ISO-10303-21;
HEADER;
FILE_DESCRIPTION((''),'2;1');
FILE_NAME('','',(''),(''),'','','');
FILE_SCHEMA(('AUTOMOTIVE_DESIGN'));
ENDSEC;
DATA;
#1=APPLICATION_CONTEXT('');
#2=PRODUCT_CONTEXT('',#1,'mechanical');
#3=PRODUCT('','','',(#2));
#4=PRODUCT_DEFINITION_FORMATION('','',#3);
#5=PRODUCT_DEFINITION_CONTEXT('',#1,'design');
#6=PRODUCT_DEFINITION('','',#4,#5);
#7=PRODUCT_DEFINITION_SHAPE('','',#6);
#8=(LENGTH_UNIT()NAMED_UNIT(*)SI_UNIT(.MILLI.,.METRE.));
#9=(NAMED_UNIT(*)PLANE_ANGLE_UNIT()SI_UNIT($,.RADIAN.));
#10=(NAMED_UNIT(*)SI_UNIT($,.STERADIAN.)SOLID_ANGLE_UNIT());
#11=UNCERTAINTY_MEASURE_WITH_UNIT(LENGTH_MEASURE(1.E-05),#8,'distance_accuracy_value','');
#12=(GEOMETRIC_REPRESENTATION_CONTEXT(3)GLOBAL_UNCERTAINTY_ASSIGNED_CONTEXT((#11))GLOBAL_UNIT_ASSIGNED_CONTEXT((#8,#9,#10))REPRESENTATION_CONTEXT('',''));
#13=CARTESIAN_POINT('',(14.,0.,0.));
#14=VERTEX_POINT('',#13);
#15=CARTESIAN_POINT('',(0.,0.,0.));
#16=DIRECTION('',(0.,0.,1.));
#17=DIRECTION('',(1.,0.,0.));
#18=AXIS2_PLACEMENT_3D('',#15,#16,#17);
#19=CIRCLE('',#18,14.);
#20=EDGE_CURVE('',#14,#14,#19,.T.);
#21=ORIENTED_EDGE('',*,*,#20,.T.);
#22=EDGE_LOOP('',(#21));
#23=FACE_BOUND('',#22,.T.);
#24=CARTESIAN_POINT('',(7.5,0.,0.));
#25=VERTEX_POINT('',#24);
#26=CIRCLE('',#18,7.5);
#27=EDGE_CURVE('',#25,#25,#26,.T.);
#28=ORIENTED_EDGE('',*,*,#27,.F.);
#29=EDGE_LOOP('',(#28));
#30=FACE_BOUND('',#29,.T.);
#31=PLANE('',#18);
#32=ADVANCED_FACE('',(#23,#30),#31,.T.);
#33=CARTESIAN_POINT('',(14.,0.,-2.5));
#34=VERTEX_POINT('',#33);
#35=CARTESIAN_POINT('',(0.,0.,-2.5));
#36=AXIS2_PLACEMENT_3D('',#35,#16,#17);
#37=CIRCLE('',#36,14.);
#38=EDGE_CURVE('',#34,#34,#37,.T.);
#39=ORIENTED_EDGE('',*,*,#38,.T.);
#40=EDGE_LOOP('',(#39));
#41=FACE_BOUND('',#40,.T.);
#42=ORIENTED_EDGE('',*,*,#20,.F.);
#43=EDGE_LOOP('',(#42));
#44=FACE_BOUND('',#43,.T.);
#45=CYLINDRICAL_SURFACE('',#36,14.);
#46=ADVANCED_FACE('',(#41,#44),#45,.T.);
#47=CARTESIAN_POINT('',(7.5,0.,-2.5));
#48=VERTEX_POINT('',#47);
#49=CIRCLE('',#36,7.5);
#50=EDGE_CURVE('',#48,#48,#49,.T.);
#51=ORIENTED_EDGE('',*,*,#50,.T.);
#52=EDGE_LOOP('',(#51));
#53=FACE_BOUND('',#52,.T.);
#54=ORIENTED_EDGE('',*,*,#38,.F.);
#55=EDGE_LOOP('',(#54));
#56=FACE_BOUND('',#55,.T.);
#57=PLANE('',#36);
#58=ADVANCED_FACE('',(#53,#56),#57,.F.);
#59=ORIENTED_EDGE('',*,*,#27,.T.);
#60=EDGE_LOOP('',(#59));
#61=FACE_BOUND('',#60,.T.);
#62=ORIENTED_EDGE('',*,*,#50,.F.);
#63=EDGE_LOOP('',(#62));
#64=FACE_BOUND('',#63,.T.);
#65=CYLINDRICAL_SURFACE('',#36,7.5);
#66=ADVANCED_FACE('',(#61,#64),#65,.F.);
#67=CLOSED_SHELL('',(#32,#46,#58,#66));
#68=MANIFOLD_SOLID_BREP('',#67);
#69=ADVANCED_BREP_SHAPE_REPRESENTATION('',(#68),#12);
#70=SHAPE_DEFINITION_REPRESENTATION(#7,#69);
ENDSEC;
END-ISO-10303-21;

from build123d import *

# Parameters (mm, degrees)
SKETCH1_R          = 14
SKETCH1_R_2        = 7.5
BASE_EXTRUDE_DEPTH = 2.5


with BuildPart() as part:
    # Sketch1 → Base-Extrude (new body)
    with BuildSketch(Plane.XY):
        Circle(SKETCH1_R)
        Circle(SKETCH1_R_2, mode=Mode.SUBTRACT)
    extrude(amount=-BASE_EXTRUDE_DEPTH)


solid = part.part
